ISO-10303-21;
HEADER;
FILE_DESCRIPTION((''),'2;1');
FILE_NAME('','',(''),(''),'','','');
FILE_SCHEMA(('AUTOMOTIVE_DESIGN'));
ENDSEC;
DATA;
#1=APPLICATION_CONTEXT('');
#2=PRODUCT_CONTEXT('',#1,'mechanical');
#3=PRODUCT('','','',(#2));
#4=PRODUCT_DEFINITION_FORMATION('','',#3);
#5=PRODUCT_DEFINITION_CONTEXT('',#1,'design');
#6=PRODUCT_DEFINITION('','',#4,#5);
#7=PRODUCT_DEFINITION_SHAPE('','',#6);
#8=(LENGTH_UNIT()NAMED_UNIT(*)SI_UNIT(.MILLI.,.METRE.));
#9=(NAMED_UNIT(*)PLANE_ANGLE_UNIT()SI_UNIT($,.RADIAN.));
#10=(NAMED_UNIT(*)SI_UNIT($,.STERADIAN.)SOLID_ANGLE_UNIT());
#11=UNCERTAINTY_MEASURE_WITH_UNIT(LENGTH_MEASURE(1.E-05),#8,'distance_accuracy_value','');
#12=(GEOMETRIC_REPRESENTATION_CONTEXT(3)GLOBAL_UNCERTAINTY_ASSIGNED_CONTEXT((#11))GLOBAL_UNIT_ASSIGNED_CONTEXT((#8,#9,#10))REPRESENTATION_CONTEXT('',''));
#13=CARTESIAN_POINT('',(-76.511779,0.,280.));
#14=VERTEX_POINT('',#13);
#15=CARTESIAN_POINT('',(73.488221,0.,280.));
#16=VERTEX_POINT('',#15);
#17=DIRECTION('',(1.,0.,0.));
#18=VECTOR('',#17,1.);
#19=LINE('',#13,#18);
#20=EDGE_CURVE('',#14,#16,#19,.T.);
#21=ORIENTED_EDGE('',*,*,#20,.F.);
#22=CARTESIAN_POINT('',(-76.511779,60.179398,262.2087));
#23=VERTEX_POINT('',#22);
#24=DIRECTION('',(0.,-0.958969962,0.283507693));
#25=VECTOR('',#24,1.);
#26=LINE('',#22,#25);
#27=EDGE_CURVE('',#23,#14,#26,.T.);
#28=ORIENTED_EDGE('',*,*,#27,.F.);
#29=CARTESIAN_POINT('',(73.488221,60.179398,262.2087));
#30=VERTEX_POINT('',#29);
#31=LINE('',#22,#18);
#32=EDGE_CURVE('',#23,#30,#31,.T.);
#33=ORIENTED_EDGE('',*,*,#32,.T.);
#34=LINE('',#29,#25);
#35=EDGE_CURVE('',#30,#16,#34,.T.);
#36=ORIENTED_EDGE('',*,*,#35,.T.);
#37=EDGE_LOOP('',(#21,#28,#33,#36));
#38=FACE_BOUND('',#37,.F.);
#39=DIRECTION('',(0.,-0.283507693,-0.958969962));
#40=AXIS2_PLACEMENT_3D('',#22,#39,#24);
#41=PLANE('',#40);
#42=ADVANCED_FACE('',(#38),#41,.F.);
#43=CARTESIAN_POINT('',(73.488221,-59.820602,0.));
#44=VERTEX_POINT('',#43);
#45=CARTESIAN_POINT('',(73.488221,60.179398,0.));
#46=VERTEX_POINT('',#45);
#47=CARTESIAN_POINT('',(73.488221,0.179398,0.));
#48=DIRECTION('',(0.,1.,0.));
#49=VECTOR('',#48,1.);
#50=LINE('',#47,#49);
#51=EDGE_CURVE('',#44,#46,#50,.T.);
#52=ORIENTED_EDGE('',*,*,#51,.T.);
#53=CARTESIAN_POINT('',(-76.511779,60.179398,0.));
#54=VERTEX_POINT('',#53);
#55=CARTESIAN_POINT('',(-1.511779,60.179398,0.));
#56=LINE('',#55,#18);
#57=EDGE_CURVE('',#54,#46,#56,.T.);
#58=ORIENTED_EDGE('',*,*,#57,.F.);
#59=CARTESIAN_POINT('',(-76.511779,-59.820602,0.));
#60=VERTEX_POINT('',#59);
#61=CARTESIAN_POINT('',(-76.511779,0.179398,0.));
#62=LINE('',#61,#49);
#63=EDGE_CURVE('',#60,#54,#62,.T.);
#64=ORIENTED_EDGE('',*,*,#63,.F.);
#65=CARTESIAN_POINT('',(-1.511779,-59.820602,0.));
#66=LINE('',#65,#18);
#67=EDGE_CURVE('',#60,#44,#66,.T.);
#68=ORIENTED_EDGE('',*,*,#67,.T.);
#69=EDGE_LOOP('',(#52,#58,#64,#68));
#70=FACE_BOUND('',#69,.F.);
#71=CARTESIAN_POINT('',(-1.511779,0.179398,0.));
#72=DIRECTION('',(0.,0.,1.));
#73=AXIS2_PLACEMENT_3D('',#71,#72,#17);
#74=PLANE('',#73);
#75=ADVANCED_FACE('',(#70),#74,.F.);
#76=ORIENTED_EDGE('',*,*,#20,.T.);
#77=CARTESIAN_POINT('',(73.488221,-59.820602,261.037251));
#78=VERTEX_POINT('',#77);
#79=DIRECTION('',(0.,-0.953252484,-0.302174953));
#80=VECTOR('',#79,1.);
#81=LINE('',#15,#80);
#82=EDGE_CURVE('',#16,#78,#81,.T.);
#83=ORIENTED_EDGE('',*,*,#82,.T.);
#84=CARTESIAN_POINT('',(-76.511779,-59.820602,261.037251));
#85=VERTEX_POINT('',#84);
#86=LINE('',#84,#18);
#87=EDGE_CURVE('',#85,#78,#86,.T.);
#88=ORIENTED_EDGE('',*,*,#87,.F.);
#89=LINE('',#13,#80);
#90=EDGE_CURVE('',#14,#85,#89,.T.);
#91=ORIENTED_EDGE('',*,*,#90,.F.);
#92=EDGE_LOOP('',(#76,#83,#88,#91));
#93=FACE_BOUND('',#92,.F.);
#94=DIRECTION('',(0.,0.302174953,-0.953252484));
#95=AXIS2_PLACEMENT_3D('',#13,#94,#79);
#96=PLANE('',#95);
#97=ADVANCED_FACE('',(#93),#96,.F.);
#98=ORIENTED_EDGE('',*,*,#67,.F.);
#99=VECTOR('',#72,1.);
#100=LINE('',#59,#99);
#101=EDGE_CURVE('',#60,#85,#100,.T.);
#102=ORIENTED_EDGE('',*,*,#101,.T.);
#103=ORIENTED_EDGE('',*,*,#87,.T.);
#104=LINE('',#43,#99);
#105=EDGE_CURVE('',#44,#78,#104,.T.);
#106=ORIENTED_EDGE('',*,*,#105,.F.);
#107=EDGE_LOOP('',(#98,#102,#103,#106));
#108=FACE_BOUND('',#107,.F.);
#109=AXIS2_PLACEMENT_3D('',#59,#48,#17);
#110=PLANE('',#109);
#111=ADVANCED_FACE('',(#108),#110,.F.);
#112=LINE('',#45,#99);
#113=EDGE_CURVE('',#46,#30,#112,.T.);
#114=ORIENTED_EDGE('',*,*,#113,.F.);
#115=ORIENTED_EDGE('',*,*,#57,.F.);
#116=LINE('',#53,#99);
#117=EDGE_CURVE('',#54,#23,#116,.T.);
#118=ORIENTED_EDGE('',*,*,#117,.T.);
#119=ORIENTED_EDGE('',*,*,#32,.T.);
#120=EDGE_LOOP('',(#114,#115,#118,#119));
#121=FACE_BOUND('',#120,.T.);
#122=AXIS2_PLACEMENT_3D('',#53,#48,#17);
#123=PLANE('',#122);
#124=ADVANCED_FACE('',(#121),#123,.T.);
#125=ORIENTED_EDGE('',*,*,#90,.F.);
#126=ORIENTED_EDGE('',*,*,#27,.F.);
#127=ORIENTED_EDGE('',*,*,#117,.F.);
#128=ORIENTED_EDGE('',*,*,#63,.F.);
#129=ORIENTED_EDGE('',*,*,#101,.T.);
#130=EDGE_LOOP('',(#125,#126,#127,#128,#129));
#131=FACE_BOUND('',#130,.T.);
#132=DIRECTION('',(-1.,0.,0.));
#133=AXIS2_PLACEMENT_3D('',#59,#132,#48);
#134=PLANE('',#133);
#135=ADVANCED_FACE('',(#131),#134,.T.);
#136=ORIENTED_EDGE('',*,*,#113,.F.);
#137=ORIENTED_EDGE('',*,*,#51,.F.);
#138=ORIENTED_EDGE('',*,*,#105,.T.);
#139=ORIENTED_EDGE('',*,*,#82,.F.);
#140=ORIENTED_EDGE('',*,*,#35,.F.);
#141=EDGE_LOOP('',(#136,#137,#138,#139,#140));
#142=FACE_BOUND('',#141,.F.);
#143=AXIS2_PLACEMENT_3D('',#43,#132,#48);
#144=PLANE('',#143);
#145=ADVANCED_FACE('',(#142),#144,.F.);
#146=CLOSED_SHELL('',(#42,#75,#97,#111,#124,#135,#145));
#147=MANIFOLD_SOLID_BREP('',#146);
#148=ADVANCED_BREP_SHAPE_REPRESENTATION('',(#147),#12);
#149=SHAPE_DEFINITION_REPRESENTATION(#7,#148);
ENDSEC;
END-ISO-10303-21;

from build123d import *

# Parameters (mm, degrees)
F0_W     = 150
F0_H     = 120
F1_DEPTH = 280
F3_DEPTH = 150


with BuildPart() as f1:
    # F0 (on Top) → F1 (new body)
    with BuildSketch(Plane.XY):
        with Locations((-1.511779, 0.179398)):
            Rectangle(F0_W, F0_H)
    extrude(amount=F1_DEPTH)

    # F2 (on face) → F3 (cut, through all)
    with BuildSketch(Plane(origin=(-76.511779, 0, 0), x_dir=(0, -1, 0), z_dir=(-1, 0, 0))):
        Polygon((-60.179398, 262.2087), (0, 280), (-60.179398, 280), align=None)
        Polygon((59.820602, 280), (0, 280), (59.820602, 261.037251), align=None)
    extrude(amount=-F3_DEPTH, mode=Mode.SUBTRACT)


solid = f1.part
